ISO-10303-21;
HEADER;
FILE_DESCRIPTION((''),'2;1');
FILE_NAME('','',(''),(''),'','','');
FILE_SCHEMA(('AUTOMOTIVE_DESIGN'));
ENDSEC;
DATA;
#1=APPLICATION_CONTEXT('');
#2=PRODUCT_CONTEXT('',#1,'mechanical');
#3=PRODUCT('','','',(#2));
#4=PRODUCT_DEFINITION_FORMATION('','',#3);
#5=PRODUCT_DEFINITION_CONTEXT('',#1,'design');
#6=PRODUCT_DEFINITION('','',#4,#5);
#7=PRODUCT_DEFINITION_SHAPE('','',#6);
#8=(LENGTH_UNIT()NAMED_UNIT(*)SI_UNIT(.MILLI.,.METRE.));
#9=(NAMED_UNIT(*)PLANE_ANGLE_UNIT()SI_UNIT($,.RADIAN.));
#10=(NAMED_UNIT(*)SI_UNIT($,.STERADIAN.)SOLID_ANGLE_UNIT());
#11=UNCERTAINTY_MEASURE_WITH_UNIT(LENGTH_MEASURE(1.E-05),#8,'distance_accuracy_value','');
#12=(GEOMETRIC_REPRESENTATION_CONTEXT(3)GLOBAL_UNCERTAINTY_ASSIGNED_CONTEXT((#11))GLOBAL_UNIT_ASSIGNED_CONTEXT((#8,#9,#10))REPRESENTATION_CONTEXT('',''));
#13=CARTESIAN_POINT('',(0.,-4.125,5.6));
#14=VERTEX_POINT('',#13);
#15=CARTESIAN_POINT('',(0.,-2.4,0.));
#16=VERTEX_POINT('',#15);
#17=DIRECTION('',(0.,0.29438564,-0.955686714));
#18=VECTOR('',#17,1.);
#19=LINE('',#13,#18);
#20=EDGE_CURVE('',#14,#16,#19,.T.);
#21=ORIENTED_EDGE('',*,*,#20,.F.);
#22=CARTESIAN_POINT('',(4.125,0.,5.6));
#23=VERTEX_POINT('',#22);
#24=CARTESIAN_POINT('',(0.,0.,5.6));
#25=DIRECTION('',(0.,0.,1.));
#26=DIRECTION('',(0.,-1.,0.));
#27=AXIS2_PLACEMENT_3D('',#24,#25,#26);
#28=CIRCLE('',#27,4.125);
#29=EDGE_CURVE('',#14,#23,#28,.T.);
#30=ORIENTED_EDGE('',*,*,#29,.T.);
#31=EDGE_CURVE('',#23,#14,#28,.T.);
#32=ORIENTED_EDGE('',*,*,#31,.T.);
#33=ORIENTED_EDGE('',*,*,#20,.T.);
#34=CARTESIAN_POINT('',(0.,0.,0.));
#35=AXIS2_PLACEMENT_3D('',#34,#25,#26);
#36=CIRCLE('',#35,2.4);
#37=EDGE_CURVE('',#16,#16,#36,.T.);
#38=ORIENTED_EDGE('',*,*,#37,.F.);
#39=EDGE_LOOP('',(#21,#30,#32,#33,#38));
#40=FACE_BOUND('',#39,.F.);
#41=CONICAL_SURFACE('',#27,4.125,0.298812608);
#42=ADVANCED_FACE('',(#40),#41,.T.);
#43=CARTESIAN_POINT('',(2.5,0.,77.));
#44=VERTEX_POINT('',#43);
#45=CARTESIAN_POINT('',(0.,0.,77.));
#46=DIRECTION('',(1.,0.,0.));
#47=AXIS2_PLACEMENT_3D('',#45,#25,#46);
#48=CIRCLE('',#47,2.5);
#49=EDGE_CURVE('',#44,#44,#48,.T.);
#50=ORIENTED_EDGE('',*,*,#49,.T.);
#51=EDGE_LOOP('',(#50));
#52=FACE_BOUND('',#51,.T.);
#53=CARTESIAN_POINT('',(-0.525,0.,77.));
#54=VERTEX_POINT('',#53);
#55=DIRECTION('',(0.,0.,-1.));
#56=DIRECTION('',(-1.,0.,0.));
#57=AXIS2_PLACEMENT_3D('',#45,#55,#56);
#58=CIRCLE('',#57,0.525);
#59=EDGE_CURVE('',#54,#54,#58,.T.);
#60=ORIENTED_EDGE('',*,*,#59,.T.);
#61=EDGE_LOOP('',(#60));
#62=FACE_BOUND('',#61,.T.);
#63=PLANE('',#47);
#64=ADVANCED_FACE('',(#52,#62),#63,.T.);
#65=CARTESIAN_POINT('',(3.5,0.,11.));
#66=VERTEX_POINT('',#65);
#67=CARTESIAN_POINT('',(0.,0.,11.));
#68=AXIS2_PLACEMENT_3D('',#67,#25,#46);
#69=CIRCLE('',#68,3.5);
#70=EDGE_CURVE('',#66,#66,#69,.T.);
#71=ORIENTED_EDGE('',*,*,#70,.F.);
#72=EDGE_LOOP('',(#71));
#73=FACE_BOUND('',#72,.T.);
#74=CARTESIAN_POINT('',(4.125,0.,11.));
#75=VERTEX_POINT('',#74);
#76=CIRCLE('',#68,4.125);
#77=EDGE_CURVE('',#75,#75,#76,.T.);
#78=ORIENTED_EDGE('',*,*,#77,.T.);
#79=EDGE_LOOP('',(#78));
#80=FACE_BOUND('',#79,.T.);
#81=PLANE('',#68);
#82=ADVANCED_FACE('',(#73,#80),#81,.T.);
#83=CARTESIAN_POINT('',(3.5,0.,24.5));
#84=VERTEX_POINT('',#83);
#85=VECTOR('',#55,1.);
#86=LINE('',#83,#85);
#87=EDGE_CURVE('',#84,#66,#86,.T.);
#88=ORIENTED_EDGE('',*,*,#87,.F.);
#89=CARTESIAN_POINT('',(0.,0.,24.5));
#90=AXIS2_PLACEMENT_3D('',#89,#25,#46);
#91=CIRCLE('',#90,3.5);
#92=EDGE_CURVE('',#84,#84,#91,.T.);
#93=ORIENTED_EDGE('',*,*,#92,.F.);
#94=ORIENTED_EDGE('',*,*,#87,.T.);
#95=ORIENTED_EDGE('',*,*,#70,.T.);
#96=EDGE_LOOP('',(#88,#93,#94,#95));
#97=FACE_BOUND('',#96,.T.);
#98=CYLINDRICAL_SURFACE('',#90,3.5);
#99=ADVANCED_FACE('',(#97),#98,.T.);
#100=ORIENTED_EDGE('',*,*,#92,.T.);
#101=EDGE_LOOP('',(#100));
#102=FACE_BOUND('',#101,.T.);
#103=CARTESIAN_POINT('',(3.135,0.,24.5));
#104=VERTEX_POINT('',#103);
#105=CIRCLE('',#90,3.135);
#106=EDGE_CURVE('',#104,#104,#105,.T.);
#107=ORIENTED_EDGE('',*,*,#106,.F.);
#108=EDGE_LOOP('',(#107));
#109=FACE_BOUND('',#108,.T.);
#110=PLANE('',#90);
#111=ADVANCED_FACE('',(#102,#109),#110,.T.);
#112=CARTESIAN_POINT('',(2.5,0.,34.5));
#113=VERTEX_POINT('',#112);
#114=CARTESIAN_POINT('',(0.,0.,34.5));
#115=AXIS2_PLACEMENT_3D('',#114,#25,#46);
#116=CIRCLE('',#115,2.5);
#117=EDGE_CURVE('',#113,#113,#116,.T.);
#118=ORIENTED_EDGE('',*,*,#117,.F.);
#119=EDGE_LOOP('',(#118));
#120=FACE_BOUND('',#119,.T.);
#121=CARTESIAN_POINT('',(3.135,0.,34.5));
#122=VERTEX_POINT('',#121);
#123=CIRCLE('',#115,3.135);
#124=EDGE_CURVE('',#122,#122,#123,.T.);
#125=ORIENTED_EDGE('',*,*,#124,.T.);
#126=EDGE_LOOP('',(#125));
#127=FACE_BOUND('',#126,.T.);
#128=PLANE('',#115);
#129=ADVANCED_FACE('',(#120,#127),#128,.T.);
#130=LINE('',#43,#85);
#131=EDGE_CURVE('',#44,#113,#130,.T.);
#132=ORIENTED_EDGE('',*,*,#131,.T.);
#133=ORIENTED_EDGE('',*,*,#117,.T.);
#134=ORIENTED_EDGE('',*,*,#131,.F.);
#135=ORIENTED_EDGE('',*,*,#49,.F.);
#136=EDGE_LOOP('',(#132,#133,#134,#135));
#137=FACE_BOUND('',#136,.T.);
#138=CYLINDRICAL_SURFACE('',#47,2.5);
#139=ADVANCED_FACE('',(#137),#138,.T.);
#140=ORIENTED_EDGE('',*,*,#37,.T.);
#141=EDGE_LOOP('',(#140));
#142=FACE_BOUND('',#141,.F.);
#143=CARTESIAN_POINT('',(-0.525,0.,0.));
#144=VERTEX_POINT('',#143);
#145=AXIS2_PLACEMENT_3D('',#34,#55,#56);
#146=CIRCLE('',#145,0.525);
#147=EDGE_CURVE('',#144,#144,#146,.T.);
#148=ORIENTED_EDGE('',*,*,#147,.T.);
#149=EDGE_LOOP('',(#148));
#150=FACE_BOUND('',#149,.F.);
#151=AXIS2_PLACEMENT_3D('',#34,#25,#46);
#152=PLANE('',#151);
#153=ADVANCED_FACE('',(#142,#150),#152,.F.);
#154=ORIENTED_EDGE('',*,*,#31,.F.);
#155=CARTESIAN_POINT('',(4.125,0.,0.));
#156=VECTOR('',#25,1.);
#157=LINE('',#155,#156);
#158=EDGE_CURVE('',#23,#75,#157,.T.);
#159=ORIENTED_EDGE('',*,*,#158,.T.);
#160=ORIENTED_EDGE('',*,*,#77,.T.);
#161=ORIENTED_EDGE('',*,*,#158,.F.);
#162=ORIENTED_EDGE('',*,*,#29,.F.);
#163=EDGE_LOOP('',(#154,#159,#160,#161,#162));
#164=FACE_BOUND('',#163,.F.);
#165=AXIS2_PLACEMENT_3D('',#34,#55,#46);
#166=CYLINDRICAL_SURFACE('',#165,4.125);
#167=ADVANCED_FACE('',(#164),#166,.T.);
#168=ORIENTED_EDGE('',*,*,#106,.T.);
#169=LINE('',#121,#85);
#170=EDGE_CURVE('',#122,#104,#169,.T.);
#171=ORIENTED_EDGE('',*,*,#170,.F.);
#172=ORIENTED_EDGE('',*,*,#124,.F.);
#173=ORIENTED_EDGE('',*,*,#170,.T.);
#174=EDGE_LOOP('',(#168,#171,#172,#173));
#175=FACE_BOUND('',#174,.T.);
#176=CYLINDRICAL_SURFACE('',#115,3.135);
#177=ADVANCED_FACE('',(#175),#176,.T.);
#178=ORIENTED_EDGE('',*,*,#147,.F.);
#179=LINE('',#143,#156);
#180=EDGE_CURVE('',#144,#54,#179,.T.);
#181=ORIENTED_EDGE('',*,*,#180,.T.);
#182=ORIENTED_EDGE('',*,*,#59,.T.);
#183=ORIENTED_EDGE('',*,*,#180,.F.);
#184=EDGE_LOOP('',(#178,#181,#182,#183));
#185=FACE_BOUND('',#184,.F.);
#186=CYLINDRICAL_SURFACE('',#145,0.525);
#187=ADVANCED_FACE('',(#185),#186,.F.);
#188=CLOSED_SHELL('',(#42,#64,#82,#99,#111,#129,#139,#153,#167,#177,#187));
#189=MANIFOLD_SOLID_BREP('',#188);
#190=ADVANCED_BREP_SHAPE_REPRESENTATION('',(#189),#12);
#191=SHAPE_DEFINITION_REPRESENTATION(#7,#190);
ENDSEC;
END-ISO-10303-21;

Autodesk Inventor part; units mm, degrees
ref_plane "YZ Plane" through (0, 0, 0) normal (1, 0, 0) x (0, 1, 0)
ref_plane "XZ Plane" through (0, 0, 0) normal (0, 1, 0) x (-1, 0, 0)
ref_plane "XY Plane" through (0, 0, 0) normal (0, 0, 1) x (1, 0, 0)
sketch "Sketch1" plane through (0, 0, 0) normal (0, 0, 1) x (1, 0, 0)
  circle A0 centre (0, 0) radius 4.125
  dimension "d0" = 8.25
extrude "Extrusion1" add sketch "Sketch1" along normal blind 77
sketch "Sketch2" plane through (0, 0, 0) normal (1, 0, 0) x (0, 1, 0)
  line L0 (-4.125, 0) -> (-4.125, 77) projected
  line L1 (4.125, 0) -> (4.125, 77) projected
  line L2 (0, -15.4) -> (0, 92.4) projected
  line L3 (-5.775, 0) -> (5.775, 0) projected
  line L4 (2.4, 0) -> (0, 0)
  line L5 (0, 5.6) -> (4.125, 5.6)
  line L6 (4.125, 5.6) -> (4.125, 0)
  line L7 (-4.125, 0) -> (-4.125, 5.6)
  line L8 (-4.125, 5.6) -> (-2.4, 0)
  line L9 (4.125, 0) -> (0, 0)
  line L10 (-2.4, 0) -> (-4.125, 0)
  point P0 (0, 3.0897)
  dimension "d4" = 5.6
revolve "Revolution1" cut sketch "Sketch2" angle 360 about axis through (0, 0, -10) along (0, 0, 1) contours L0 L8 L3
sketch "Sketch3" plane through (0, 0, 77) normal (0, 0, 1) x (1, 0, 0)
  circle A0 centre (0, 0) radius 4.125 projected
  circle A1 centre (0, 0) radius 2.5
  dimension "d19" = 5
extrude "Extrusion2" cut sketch "Sketch3" against normal blind 42.5
sketch "Sketch4" plane through (0, 0, 34.5) normal (0, 0, 1) x (1, 0, 0)
  circle A0 centre (0, 0) radius 4.125 projected
  circle A1 centre (0, 0) radius 3.135
  dimension "d22" = 6.27
extrude "Extrusion3" cut sketch "Sketch4" against normal blind 10
sketch "Sketch5" plane through (0, 0, 24.5) normal (0, 0, 1) x (1, 0, 0)
  circle A0 centre (0, 0) radius 4.125 projected
  circle A1 centre (0, 0) radius 3.5
  dimension "d25" = 7
extrude "Extrusion4" cut sketch "Sketch5" against normal blind 13.5
sketch "Sketch6" plane through (0, 0, 0) normal (0, 0, -1) x (-1, 0, 0)
  circle A0 centre (0, 0) radius 2.4 projected
  circle A1 centre (0, 0) radius 0.525
  dimension "d28" = 1.05
extrude "Extrusion5" cut sketch "Sketch6" against normal through all contours A1
properties part number "Collect_Jaw"
